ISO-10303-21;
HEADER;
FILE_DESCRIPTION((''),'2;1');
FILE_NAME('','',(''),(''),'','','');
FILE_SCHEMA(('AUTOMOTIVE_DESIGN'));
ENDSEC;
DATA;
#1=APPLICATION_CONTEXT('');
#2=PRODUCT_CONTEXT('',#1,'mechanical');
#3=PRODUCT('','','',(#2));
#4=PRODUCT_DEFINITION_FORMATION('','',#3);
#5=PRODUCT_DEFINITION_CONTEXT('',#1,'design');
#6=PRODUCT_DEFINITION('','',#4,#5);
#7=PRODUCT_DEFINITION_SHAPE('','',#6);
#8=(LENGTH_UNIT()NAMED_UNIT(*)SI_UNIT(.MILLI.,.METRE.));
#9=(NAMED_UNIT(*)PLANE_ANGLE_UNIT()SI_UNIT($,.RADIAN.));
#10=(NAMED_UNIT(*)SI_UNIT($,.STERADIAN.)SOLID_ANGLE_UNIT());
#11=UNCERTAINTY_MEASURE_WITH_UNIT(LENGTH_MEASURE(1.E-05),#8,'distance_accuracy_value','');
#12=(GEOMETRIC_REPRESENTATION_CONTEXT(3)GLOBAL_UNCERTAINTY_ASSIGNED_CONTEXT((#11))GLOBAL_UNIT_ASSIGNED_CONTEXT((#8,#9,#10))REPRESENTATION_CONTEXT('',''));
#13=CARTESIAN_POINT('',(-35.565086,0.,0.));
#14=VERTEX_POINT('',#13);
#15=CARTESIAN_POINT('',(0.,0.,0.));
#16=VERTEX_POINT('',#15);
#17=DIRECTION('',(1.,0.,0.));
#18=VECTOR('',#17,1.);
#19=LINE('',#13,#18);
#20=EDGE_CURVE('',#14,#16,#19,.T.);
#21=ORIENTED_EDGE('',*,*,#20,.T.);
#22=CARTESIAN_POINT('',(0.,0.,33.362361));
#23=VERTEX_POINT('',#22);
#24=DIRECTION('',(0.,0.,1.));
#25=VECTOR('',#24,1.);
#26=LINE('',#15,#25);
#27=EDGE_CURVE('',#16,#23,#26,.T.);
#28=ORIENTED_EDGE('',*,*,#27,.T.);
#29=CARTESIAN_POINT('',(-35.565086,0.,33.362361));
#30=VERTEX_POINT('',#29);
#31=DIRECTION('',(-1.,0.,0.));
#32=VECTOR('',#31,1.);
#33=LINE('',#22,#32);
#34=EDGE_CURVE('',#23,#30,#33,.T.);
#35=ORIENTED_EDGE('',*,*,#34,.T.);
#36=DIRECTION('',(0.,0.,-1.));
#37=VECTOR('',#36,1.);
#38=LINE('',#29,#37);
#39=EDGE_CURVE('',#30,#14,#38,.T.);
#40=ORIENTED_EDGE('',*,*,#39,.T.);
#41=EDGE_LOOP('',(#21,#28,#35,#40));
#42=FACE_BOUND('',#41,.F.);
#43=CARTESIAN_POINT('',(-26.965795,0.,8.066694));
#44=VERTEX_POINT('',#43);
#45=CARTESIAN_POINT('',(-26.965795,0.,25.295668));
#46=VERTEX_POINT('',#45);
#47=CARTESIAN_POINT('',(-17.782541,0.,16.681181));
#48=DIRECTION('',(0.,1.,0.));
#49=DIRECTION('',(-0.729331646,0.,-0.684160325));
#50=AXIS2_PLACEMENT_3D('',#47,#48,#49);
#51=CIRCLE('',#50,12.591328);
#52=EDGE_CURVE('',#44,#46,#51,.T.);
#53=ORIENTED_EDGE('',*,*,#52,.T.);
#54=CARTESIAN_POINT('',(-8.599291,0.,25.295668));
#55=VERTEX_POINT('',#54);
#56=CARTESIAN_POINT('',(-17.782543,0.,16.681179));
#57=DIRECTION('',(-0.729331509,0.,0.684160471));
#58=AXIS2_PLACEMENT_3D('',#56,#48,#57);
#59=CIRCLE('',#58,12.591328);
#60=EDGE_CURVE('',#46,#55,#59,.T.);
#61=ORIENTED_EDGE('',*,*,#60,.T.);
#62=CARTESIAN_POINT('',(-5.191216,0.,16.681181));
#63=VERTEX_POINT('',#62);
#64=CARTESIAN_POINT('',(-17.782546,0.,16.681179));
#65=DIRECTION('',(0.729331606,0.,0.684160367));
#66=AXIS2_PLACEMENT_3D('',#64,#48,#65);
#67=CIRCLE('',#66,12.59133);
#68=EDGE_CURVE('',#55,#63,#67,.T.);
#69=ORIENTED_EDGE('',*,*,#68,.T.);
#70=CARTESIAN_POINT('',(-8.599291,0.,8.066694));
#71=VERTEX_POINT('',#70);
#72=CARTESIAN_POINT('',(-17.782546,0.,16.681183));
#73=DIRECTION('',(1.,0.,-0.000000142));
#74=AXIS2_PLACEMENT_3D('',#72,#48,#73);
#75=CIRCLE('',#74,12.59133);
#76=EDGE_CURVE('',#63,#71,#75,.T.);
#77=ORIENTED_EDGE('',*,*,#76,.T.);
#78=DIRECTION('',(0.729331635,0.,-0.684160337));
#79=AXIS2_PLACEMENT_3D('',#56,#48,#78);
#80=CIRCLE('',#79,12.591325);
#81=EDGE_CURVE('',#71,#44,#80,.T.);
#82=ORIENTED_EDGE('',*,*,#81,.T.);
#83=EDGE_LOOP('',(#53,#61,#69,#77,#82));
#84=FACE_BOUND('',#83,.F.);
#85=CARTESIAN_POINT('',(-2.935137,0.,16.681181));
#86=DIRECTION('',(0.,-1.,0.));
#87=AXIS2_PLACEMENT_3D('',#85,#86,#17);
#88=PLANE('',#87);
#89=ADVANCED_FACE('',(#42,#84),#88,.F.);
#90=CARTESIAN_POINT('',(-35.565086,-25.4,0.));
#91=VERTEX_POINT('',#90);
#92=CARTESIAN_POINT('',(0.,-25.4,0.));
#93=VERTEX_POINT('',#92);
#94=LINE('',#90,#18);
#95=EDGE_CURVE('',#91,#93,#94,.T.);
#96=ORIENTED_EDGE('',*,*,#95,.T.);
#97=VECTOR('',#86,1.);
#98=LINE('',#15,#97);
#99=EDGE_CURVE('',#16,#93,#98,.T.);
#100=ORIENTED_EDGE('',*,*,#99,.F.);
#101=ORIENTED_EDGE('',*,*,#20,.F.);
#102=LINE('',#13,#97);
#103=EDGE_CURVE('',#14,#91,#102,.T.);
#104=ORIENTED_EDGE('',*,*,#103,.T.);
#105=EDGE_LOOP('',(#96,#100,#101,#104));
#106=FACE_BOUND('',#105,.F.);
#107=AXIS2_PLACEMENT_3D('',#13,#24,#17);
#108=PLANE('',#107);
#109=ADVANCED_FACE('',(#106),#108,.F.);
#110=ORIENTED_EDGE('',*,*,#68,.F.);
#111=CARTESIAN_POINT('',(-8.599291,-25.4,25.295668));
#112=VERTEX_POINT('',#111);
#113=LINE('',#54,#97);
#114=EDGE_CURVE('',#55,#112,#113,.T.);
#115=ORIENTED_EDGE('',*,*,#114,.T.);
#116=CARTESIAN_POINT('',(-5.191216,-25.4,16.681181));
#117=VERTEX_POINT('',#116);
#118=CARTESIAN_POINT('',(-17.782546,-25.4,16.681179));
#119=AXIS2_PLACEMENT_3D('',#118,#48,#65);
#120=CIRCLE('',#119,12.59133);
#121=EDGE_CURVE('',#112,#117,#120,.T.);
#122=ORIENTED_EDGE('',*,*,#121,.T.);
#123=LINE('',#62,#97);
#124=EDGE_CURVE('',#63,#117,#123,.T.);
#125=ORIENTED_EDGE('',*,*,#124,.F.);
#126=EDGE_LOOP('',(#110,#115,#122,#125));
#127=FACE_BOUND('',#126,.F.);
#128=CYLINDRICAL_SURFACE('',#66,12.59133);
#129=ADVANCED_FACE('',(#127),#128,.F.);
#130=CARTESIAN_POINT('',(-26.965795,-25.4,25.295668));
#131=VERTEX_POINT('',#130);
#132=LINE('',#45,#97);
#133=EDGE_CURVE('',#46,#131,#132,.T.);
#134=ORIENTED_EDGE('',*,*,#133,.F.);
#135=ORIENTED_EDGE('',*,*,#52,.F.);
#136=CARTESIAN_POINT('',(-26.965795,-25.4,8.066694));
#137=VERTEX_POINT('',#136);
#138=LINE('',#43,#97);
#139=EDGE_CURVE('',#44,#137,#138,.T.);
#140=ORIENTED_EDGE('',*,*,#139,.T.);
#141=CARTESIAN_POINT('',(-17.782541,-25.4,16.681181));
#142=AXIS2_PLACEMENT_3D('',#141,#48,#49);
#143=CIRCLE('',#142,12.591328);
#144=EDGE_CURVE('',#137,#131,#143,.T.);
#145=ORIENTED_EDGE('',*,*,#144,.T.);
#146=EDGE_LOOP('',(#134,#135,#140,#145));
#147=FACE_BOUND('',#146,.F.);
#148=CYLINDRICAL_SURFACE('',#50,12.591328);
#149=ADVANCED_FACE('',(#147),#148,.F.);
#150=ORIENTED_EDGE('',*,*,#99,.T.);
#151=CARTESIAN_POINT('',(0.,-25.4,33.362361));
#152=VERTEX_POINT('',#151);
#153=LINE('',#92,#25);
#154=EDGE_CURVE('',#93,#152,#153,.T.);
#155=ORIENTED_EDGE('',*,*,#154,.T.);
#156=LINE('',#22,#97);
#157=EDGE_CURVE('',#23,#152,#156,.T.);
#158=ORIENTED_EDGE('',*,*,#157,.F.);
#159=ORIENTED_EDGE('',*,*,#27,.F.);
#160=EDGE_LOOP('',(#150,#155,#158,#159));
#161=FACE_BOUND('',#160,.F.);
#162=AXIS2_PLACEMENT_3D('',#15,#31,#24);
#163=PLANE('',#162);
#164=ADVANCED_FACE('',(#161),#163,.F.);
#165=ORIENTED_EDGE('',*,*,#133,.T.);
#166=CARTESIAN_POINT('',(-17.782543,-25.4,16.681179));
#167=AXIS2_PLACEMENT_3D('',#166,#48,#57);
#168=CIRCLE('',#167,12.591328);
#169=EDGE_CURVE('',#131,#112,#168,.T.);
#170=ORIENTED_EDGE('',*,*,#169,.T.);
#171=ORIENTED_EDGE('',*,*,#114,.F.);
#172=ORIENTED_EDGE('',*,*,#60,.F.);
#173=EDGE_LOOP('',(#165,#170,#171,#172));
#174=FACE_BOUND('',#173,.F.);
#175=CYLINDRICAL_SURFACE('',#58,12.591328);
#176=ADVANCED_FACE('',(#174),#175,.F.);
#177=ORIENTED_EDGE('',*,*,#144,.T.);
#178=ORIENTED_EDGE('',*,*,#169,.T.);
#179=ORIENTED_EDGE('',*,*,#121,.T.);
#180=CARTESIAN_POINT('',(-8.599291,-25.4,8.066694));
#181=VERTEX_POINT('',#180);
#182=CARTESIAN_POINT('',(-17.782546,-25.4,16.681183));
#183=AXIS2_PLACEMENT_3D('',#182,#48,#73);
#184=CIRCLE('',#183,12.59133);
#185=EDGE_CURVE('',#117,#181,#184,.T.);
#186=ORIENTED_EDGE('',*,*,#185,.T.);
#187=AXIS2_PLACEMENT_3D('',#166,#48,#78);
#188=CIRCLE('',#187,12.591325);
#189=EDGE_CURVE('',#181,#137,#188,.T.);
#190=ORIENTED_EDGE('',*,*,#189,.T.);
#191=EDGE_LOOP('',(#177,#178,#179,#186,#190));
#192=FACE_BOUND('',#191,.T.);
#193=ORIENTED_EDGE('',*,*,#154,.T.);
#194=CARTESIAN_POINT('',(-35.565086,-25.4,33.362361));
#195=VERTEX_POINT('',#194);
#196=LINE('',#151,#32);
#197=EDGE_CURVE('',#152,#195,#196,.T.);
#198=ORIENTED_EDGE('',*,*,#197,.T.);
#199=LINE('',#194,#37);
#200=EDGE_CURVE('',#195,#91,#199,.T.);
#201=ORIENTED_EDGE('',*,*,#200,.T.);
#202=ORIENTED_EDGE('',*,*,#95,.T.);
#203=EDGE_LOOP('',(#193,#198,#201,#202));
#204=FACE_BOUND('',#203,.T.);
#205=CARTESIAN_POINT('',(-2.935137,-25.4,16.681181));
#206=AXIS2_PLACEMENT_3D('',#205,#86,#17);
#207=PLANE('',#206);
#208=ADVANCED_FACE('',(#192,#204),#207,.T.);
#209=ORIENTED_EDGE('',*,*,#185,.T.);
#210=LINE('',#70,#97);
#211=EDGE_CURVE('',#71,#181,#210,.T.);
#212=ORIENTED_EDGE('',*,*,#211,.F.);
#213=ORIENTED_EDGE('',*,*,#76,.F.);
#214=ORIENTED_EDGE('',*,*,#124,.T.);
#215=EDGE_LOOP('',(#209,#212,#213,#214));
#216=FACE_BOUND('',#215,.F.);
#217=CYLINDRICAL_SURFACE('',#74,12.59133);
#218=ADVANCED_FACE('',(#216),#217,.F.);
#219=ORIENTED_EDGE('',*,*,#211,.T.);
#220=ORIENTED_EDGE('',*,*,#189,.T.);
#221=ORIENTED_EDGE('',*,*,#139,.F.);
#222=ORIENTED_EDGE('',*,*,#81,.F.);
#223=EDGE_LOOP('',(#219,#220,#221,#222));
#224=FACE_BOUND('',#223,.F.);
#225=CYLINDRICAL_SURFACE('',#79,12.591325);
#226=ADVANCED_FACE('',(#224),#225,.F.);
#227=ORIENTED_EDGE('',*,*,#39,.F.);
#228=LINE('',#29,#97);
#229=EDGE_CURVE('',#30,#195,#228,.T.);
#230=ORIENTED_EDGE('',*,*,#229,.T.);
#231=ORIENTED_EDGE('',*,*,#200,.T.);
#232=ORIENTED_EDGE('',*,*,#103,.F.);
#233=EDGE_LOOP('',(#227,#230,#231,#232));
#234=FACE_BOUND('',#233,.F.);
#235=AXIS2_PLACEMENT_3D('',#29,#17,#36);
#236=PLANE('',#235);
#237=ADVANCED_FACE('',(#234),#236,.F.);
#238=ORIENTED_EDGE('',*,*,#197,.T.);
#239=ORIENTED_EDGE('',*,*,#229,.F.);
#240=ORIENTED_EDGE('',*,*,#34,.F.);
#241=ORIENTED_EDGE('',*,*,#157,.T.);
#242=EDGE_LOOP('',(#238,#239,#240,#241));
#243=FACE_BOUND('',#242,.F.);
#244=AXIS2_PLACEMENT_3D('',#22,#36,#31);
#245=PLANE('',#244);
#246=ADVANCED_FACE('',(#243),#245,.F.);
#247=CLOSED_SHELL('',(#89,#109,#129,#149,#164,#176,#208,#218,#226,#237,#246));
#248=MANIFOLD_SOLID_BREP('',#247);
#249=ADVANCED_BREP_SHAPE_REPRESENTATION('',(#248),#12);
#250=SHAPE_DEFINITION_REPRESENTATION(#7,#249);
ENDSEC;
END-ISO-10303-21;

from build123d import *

# Parameters (mm, degrees)
F1_DEPTH = 25.4


with BuildPart() as f1:
    # F0 (on Front) → F1 (new body)
    with BuildSketch(Plane.XZ):
        with BuildLine():
            Line((-8.599291, 8.066694), (0, 0))
            Line((0, 0), (0, 33.362361))
            Line((0, 33.362361), (-8.599291, 25.295668))
            ThreePointArc((-8.599291, 25.295668), (-6.074195, 21.313253), (-5.191216, 16.681181))
            ThreePointArc((-5.191216, 16.681181), (-6.074195, 12.049109), (-8.599291, 8.066694))
        make_face()
        with BuildLine():
            Line((-35.565086, 0), (0, 0))
            Line((0, 0), (-8.599291, 8.066694))
            ThreePointArc((-8.599291, 8.066694), (-17.782543, 4.089854), (-26.965795, 8.066694))
            Line((-26.965795, 8.066694), (-35.565086, 0))
        make_face()
        with BuildLine():
            Line((-35.565086, 33.362361), (-35.565086, 0))
            Line((-35.565086, 0), (-26.965795, 8.066694))
            ThreePointArc((-26.965795, 8.066694), (-30.373869, 16.681181), (-26.965795, 25.295668))
            Line((-26.965795, 25.295668), (-35.565086, 33.362361))
        make_face()
        with BuildLine():
            Line((-8.599291, 25.295668), (0, 33.362361))
            Line((0, 33.362361), (-35.565086, 33.362361))
            Line((-35.565086, 33.362361), (-26.965795, 25.295668))
            ThreePointArc((-26.965795, 25.295668), (-17.782543, 29.272507), (-8.599291, 25.295668))
        make_face()
    extrude(amount=F1_DEPTH)


solid = f1.part
